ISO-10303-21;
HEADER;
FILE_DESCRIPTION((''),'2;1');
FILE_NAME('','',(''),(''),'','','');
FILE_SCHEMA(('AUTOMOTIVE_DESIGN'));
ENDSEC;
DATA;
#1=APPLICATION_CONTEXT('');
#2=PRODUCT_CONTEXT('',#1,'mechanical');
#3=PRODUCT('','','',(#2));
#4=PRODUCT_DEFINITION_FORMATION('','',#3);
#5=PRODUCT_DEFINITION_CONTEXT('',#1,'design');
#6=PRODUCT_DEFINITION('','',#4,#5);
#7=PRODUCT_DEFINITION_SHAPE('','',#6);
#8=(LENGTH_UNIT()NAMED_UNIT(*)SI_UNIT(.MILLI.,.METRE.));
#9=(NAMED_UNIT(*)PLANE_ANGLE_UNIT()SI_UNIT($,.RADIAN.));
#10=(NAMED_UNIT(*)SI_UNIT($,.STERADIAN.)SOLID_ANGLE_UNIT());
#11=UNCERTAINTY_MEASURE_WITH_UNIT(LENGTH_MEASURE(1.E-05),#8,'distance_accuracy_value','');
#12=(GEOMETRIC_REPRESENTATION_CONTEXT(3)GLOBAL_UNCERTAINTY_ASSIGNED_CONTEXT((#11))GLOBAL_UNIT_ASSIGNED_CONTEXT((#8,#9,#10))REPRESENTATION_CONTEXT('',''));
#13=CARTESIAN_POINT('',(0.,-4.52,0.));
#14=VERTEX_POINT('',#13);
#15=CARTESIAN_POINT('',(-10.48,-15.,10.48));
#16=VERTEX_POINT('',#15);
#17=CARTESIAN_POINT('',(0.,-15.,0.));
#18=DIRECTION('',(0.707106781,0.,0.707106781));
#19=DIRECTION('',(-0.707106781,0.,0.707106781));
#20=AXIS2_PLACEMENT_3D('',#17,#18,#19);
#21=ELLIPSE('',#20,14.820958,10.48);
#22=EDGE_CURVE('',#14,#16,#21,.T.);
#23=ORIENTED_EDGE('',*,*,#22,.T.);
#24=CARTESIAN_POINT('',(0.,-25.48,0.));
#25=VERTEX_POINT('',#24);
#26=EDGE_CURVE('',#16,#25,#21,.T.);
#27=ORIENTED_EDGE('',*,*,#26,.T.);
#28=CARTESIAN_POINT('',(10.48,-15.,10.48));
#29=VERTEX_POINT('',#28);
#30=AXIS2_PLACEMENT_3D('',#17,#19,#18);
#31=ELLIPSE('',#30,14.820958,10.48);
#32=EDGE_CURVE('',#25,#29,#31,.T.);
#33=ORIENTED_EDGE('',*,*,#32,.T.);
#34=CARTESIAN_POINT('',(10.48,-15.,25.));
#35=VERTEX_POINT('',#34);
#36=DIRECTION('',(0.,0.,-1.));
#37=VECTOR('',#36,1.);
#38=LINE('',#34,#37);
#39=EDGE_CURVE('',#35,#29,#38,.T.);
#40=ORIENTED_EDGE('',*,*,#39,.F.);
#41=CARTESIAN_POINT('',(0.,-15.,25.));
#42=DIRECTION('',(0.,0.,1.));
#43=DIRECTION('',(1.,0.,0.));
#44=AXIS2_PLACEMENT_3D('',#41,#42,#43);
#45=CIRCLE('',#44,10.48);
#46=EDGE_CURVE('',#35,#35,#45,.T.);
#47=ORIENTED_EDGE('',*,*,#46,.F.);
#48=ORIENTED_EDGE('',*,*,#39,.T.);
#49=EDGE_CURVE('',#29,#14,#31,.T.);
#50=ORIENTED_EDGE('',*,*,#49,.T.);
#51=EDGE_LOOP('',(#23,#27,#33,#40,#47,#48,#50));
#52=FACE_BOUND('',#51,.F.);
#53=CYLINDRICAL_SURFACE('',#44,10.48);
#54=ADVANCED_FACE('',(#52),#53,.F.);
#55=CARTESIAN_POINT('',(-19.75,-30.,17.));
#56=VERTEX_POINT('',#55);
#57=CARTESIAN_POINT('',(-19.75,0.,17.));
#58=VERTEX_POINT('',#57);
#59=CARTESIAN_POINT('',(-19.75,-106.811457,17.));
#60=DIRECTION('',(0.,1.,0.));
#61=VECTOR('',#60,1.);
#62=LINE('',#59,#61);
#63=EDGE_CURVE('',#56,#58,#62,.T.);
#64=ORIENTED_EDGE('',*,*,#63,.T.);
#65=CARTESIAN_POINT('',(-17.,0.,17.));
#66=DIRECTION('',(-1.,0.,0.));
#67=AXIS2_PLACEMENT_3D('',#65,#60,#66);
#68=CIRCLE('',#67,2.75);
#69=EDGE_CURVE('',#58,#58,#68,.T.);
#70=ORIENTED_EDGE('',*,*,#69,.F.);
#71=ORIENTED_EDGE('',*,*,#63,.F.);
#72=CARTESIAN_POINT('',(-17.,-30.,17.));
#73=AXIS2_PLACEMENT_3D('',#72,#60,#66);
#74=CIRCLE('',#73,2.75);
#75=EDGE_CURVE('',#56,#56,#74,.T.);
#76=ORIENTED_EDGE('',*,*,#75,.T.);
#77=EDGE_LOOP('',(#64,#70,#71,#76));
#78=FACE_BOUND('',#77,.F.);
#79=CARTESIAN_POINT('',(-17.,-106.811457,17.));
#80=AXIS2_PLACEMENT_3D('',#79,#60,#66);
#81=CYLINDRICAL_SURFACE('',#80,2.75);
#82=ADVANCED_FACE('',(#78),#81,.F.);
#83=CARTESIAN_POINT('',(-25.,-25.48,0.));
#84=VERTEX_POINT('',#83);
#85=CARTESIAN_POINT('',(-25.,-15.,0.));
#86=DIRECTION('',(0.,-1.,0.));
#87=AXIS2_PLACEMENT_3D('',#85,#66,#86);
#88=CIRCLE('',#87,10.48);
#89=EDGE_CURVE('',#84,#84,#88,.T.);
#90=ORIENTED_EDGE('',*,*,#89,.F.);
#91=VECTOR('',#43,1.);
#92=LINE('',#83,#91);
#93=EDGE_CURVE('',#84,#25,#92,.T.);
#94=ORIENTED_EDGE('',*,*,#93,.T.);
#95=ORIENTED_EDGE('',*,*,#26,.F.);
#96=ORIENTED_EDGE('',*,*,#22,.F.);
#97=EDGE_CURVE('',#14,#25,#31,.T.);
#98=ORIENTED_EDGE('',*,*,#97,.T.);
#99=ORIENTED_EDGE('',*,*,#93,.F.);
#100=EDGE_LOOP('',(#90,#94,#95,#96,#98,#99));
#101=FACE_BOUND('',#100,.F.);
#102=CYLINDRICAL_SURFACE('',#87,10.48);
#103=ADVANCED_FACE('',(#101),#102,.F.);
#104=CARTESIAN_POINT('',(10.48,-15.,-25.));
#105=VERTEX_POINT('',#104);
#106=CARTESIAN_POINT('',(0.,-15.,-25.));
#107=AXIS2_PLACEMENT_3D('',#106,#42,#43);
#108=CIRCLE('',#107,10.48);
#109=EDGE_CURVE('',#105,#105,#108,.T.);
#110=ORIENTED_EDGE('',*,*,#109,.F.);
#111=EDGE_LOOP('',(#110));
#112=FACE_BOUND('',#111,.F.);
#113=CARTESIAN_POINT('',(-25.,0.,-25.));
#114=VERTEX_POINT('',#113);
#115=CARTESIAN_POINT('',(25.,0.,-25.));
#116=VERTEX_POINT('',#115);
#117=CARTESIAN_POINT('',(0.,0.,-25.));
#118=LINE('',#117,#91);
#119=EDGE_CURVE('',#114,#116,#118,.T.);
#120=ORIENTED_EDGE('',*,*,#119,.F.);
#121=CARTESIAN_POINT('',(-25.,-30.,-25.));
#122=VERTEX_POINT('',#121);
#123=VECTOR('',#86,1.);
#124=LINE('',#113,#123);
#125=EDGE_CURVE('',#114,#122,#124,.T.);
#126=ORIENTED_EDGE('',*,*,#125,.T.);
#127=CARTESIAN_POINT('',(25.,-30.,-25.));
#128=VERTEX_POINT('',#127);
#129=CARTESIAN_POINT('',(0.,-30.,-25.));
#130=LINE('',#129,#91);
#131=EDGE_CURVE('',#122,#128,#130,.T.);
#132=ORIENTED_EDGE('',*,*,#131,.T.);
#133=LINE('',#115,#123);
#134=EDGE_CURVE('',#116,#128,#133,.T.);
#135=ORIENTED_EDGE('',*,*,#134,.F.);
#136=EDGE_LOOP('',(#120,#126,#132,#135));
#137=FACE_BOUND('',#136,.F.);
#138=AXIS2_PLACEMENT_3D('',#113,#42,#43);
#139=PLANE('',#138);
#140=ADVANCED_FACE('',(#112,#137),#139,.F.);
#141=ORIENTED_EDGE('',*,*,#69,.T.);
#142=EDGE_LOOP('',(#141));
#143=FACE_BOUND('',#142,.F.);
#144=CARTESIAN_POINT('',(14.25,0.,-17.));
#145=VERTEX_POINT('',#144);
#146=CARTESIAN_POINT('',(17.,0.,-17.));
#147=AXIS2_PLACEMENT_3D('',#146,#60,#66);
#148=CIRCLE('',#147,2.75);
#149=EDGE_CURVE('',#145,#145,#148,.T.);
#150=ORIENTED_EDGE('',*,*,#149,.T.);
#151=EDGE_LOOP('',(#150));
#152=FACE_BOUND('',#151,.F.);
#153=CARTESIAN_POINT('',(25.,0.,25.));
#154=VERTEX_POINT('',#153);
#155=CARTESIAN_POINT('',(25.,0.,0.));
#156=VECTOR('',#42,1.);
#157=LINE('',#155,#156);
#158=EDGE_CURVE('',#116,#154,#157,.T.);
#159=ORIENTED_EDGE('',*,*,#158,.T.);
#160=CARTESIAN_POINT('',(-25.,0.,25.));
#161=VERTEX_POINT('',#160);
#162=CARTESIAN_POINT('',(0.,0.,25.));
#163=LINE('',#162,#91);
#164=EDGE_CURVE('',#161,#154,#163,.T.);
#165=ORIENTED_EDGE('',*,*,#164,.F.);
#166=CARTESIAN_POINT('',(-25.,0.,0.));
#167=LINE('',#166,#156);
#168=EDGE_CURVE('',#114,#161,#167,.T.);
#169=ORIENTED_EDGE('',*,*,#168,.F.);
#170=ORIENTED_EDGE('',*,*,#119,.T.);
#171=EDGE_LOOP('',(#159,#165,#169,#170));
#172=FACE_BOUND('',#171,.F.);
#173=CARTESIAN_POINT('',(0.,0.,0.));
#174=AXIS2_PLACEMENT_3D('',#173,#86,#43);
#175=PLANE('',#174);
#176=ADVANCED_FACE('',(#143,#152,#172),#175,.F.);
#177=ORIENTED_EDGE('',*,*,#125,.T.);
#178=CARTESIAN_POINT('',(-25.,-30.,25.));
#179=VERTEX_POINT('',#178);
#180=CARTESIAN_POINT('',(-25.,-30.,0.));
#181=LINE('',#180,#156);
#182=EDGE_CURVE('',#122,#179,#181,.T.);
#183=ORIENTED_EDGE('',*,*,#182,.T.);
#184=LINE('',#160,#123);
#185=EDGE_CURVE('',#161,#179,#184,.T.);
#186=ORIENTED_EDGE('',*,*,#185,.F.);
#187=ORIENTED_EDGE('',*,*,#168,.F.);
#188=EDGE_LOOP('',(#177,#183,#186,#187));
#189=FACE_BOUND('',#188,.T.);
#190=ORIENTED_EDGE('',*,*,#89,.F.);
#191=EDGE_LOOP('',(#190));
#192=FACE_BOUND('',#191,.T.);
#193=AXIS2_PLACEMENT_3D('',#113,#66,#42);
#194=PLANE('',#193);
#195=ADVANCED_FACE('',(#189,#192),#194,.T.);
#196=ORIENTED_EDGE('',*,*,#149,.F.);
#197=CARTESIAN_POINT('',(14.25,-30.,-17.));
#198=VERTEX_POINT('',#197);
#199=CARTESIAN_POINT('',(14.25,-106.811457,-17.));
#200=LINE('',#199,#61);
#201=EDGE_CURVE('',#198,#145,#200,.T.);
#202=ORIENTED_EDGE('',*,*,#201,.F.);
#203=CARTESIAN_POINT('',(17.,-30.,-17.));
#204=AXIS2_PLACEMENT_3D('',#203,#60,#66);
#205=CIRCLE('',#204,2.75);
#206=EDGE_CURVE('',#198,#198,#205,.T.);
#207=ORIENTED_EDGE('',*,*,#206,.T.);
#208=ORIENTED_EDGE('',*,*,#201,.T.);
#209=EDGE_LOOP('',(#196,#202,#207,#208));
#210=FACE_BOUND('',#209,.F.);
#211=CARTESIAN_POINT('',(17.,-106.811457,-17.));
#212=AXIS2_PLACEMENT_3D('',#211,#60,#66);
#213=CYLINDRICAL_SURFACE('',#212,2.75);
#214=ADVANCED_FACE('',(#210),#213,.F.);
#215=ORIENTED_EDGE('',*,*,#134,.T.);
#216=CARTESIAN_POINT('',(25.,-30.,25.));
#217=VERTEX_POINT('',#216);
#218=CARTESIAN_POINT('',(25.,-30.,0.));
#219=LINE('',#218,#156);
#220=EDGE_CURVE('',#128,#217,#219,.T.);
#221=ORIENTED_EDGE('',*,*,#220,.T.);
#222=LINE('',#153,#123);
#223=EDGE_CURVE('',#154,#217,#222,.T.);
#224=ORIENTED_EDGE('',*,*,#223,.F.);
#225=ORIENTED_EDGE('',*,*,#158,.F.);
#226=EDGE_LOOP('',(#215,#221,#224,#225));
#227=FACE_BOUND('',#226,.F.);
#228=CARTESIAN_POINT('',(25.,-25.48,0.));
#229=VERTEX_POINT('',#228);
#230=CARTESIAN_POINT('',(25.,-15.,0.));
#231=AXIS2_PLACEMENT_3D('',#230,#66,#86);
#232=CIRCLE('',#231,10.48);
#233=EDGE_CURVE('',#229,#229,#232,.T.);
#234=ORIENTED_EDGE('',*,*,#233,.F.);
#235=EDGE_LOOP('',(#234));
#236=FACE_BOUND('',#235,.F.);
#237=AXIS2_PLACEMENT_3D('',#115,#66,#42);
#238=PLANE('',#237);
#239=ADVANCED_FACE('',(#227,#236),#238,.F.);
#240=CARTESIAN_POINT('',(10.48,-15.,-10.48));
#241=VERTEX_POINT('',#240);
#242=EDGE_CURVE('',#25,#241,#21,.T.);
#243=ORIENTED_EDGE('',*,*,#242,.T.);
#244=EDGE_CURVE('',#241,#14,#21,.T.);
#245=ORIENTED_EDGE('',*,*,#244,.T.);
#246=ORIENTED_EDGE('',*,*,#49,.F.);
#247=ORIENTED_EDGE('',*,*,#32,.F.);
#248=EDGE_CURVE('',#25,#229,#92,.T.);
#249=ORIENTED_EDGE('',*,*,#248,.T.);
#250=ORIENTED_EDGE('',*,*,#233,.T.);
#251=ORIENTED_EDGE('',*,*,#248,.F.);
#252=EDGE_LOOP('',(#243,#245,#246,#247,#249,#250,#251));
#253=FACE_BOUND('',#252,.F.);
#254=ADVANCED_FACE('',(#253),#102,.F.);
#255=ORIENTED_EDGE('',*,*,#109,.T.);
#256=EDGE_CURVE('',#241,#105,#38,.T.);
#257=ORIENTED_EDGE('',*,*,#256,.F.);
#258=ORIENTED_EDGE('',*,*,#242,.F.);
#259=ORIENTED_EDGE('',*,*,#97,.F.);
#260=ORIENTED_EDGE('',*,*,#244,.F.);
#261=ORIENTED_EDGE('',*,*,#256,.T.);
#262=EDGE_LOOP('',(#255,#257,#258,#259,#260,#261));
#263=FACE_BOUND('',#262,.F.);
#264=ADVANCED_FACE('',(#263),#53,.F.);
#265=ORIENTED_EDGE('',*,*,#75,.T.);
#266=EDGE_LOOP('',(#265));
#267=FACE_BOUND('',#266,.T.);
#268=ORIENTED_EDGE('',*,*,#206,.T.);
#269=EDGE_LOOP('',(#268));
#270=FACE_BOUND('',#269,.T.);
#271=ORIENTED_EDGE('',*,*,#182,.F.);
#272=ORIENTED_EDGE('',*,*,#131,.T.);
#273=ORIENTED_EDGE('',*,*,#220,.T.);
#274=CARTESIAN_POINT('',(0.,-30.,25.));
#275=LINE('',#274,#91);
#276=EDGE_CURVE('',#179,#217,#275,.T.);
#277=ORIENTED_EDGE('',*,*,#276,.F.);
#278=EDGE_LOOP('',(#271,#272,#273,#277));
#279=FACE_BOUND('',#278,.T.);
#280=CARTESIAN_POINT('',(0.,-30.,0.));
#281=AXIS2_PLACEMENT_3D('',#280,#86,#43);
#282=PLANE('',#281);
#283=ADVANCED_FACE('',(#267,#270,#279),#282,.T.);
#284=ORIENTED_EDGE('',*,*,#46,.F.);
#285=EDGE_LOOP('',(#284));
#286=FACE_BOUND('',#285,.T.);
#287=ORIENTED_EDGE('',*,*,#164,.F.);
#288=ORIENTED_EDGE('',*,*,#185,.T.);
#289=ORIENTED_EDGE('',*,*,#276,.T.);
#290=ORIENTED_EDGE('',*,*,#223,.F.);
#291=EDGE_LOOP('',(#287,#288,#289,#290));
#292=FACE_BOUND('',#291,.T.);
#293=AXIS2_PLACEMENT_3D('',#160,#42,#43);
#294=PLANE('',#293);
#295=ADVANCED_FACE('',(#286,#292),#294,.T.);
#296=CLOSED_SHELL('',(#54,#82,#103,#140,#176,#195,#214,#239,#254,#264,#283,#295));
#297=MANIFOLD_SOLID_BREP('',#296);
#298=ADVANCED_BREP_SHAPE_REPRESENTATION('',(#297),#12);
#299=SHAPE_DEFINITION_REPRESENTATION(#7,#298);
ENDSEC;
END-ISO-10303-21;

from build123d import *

# Parameters (mm, degrees)
F0_W     = 50
F0_H     = 50
F1_DEPTH = 30
F3_D     = 5.5
F4_R     = 10.48
F5_DEPTH = 50.001
F6_R     = 10.48
F7_DEPTH = 50.001


with BuildPart() as f1:
    # F0 (on Front) → F1 (new body)
    with BuildSketch(Plane.XZ):
        Rectangle(F0_W, F0_H)
    extrude(amount=F1_DEPTH)

    # F3 (through all)
    with Locations(Plane.XZ.offset(30)):
        with Locations((-17, 17), (17, -17)):
            Hole(F3_D / 2)

    # F4 (on face) → F5 (cut, through all)
    with BuildSketch(Plane.XY.offset(25)):
        with Locations((0, -15)):
            Circle(F4_R)
    extrude(amount=-F5_DEPTH, mode=Mode.SUBTRACT)

    # F6 (on face) → F7 (cut, through all)
    with BuildSketch(Plane(origin=(-25, 0, 0), x_dir=(0, -1, 0), z_dir=(-1, 0, 0))):
        with Locations((15, 0)):
            Circle(F6_R)
    extrude(amount=-F7_DEPTH, mode=Mode.SUBTRACT)


solid = f1.part
